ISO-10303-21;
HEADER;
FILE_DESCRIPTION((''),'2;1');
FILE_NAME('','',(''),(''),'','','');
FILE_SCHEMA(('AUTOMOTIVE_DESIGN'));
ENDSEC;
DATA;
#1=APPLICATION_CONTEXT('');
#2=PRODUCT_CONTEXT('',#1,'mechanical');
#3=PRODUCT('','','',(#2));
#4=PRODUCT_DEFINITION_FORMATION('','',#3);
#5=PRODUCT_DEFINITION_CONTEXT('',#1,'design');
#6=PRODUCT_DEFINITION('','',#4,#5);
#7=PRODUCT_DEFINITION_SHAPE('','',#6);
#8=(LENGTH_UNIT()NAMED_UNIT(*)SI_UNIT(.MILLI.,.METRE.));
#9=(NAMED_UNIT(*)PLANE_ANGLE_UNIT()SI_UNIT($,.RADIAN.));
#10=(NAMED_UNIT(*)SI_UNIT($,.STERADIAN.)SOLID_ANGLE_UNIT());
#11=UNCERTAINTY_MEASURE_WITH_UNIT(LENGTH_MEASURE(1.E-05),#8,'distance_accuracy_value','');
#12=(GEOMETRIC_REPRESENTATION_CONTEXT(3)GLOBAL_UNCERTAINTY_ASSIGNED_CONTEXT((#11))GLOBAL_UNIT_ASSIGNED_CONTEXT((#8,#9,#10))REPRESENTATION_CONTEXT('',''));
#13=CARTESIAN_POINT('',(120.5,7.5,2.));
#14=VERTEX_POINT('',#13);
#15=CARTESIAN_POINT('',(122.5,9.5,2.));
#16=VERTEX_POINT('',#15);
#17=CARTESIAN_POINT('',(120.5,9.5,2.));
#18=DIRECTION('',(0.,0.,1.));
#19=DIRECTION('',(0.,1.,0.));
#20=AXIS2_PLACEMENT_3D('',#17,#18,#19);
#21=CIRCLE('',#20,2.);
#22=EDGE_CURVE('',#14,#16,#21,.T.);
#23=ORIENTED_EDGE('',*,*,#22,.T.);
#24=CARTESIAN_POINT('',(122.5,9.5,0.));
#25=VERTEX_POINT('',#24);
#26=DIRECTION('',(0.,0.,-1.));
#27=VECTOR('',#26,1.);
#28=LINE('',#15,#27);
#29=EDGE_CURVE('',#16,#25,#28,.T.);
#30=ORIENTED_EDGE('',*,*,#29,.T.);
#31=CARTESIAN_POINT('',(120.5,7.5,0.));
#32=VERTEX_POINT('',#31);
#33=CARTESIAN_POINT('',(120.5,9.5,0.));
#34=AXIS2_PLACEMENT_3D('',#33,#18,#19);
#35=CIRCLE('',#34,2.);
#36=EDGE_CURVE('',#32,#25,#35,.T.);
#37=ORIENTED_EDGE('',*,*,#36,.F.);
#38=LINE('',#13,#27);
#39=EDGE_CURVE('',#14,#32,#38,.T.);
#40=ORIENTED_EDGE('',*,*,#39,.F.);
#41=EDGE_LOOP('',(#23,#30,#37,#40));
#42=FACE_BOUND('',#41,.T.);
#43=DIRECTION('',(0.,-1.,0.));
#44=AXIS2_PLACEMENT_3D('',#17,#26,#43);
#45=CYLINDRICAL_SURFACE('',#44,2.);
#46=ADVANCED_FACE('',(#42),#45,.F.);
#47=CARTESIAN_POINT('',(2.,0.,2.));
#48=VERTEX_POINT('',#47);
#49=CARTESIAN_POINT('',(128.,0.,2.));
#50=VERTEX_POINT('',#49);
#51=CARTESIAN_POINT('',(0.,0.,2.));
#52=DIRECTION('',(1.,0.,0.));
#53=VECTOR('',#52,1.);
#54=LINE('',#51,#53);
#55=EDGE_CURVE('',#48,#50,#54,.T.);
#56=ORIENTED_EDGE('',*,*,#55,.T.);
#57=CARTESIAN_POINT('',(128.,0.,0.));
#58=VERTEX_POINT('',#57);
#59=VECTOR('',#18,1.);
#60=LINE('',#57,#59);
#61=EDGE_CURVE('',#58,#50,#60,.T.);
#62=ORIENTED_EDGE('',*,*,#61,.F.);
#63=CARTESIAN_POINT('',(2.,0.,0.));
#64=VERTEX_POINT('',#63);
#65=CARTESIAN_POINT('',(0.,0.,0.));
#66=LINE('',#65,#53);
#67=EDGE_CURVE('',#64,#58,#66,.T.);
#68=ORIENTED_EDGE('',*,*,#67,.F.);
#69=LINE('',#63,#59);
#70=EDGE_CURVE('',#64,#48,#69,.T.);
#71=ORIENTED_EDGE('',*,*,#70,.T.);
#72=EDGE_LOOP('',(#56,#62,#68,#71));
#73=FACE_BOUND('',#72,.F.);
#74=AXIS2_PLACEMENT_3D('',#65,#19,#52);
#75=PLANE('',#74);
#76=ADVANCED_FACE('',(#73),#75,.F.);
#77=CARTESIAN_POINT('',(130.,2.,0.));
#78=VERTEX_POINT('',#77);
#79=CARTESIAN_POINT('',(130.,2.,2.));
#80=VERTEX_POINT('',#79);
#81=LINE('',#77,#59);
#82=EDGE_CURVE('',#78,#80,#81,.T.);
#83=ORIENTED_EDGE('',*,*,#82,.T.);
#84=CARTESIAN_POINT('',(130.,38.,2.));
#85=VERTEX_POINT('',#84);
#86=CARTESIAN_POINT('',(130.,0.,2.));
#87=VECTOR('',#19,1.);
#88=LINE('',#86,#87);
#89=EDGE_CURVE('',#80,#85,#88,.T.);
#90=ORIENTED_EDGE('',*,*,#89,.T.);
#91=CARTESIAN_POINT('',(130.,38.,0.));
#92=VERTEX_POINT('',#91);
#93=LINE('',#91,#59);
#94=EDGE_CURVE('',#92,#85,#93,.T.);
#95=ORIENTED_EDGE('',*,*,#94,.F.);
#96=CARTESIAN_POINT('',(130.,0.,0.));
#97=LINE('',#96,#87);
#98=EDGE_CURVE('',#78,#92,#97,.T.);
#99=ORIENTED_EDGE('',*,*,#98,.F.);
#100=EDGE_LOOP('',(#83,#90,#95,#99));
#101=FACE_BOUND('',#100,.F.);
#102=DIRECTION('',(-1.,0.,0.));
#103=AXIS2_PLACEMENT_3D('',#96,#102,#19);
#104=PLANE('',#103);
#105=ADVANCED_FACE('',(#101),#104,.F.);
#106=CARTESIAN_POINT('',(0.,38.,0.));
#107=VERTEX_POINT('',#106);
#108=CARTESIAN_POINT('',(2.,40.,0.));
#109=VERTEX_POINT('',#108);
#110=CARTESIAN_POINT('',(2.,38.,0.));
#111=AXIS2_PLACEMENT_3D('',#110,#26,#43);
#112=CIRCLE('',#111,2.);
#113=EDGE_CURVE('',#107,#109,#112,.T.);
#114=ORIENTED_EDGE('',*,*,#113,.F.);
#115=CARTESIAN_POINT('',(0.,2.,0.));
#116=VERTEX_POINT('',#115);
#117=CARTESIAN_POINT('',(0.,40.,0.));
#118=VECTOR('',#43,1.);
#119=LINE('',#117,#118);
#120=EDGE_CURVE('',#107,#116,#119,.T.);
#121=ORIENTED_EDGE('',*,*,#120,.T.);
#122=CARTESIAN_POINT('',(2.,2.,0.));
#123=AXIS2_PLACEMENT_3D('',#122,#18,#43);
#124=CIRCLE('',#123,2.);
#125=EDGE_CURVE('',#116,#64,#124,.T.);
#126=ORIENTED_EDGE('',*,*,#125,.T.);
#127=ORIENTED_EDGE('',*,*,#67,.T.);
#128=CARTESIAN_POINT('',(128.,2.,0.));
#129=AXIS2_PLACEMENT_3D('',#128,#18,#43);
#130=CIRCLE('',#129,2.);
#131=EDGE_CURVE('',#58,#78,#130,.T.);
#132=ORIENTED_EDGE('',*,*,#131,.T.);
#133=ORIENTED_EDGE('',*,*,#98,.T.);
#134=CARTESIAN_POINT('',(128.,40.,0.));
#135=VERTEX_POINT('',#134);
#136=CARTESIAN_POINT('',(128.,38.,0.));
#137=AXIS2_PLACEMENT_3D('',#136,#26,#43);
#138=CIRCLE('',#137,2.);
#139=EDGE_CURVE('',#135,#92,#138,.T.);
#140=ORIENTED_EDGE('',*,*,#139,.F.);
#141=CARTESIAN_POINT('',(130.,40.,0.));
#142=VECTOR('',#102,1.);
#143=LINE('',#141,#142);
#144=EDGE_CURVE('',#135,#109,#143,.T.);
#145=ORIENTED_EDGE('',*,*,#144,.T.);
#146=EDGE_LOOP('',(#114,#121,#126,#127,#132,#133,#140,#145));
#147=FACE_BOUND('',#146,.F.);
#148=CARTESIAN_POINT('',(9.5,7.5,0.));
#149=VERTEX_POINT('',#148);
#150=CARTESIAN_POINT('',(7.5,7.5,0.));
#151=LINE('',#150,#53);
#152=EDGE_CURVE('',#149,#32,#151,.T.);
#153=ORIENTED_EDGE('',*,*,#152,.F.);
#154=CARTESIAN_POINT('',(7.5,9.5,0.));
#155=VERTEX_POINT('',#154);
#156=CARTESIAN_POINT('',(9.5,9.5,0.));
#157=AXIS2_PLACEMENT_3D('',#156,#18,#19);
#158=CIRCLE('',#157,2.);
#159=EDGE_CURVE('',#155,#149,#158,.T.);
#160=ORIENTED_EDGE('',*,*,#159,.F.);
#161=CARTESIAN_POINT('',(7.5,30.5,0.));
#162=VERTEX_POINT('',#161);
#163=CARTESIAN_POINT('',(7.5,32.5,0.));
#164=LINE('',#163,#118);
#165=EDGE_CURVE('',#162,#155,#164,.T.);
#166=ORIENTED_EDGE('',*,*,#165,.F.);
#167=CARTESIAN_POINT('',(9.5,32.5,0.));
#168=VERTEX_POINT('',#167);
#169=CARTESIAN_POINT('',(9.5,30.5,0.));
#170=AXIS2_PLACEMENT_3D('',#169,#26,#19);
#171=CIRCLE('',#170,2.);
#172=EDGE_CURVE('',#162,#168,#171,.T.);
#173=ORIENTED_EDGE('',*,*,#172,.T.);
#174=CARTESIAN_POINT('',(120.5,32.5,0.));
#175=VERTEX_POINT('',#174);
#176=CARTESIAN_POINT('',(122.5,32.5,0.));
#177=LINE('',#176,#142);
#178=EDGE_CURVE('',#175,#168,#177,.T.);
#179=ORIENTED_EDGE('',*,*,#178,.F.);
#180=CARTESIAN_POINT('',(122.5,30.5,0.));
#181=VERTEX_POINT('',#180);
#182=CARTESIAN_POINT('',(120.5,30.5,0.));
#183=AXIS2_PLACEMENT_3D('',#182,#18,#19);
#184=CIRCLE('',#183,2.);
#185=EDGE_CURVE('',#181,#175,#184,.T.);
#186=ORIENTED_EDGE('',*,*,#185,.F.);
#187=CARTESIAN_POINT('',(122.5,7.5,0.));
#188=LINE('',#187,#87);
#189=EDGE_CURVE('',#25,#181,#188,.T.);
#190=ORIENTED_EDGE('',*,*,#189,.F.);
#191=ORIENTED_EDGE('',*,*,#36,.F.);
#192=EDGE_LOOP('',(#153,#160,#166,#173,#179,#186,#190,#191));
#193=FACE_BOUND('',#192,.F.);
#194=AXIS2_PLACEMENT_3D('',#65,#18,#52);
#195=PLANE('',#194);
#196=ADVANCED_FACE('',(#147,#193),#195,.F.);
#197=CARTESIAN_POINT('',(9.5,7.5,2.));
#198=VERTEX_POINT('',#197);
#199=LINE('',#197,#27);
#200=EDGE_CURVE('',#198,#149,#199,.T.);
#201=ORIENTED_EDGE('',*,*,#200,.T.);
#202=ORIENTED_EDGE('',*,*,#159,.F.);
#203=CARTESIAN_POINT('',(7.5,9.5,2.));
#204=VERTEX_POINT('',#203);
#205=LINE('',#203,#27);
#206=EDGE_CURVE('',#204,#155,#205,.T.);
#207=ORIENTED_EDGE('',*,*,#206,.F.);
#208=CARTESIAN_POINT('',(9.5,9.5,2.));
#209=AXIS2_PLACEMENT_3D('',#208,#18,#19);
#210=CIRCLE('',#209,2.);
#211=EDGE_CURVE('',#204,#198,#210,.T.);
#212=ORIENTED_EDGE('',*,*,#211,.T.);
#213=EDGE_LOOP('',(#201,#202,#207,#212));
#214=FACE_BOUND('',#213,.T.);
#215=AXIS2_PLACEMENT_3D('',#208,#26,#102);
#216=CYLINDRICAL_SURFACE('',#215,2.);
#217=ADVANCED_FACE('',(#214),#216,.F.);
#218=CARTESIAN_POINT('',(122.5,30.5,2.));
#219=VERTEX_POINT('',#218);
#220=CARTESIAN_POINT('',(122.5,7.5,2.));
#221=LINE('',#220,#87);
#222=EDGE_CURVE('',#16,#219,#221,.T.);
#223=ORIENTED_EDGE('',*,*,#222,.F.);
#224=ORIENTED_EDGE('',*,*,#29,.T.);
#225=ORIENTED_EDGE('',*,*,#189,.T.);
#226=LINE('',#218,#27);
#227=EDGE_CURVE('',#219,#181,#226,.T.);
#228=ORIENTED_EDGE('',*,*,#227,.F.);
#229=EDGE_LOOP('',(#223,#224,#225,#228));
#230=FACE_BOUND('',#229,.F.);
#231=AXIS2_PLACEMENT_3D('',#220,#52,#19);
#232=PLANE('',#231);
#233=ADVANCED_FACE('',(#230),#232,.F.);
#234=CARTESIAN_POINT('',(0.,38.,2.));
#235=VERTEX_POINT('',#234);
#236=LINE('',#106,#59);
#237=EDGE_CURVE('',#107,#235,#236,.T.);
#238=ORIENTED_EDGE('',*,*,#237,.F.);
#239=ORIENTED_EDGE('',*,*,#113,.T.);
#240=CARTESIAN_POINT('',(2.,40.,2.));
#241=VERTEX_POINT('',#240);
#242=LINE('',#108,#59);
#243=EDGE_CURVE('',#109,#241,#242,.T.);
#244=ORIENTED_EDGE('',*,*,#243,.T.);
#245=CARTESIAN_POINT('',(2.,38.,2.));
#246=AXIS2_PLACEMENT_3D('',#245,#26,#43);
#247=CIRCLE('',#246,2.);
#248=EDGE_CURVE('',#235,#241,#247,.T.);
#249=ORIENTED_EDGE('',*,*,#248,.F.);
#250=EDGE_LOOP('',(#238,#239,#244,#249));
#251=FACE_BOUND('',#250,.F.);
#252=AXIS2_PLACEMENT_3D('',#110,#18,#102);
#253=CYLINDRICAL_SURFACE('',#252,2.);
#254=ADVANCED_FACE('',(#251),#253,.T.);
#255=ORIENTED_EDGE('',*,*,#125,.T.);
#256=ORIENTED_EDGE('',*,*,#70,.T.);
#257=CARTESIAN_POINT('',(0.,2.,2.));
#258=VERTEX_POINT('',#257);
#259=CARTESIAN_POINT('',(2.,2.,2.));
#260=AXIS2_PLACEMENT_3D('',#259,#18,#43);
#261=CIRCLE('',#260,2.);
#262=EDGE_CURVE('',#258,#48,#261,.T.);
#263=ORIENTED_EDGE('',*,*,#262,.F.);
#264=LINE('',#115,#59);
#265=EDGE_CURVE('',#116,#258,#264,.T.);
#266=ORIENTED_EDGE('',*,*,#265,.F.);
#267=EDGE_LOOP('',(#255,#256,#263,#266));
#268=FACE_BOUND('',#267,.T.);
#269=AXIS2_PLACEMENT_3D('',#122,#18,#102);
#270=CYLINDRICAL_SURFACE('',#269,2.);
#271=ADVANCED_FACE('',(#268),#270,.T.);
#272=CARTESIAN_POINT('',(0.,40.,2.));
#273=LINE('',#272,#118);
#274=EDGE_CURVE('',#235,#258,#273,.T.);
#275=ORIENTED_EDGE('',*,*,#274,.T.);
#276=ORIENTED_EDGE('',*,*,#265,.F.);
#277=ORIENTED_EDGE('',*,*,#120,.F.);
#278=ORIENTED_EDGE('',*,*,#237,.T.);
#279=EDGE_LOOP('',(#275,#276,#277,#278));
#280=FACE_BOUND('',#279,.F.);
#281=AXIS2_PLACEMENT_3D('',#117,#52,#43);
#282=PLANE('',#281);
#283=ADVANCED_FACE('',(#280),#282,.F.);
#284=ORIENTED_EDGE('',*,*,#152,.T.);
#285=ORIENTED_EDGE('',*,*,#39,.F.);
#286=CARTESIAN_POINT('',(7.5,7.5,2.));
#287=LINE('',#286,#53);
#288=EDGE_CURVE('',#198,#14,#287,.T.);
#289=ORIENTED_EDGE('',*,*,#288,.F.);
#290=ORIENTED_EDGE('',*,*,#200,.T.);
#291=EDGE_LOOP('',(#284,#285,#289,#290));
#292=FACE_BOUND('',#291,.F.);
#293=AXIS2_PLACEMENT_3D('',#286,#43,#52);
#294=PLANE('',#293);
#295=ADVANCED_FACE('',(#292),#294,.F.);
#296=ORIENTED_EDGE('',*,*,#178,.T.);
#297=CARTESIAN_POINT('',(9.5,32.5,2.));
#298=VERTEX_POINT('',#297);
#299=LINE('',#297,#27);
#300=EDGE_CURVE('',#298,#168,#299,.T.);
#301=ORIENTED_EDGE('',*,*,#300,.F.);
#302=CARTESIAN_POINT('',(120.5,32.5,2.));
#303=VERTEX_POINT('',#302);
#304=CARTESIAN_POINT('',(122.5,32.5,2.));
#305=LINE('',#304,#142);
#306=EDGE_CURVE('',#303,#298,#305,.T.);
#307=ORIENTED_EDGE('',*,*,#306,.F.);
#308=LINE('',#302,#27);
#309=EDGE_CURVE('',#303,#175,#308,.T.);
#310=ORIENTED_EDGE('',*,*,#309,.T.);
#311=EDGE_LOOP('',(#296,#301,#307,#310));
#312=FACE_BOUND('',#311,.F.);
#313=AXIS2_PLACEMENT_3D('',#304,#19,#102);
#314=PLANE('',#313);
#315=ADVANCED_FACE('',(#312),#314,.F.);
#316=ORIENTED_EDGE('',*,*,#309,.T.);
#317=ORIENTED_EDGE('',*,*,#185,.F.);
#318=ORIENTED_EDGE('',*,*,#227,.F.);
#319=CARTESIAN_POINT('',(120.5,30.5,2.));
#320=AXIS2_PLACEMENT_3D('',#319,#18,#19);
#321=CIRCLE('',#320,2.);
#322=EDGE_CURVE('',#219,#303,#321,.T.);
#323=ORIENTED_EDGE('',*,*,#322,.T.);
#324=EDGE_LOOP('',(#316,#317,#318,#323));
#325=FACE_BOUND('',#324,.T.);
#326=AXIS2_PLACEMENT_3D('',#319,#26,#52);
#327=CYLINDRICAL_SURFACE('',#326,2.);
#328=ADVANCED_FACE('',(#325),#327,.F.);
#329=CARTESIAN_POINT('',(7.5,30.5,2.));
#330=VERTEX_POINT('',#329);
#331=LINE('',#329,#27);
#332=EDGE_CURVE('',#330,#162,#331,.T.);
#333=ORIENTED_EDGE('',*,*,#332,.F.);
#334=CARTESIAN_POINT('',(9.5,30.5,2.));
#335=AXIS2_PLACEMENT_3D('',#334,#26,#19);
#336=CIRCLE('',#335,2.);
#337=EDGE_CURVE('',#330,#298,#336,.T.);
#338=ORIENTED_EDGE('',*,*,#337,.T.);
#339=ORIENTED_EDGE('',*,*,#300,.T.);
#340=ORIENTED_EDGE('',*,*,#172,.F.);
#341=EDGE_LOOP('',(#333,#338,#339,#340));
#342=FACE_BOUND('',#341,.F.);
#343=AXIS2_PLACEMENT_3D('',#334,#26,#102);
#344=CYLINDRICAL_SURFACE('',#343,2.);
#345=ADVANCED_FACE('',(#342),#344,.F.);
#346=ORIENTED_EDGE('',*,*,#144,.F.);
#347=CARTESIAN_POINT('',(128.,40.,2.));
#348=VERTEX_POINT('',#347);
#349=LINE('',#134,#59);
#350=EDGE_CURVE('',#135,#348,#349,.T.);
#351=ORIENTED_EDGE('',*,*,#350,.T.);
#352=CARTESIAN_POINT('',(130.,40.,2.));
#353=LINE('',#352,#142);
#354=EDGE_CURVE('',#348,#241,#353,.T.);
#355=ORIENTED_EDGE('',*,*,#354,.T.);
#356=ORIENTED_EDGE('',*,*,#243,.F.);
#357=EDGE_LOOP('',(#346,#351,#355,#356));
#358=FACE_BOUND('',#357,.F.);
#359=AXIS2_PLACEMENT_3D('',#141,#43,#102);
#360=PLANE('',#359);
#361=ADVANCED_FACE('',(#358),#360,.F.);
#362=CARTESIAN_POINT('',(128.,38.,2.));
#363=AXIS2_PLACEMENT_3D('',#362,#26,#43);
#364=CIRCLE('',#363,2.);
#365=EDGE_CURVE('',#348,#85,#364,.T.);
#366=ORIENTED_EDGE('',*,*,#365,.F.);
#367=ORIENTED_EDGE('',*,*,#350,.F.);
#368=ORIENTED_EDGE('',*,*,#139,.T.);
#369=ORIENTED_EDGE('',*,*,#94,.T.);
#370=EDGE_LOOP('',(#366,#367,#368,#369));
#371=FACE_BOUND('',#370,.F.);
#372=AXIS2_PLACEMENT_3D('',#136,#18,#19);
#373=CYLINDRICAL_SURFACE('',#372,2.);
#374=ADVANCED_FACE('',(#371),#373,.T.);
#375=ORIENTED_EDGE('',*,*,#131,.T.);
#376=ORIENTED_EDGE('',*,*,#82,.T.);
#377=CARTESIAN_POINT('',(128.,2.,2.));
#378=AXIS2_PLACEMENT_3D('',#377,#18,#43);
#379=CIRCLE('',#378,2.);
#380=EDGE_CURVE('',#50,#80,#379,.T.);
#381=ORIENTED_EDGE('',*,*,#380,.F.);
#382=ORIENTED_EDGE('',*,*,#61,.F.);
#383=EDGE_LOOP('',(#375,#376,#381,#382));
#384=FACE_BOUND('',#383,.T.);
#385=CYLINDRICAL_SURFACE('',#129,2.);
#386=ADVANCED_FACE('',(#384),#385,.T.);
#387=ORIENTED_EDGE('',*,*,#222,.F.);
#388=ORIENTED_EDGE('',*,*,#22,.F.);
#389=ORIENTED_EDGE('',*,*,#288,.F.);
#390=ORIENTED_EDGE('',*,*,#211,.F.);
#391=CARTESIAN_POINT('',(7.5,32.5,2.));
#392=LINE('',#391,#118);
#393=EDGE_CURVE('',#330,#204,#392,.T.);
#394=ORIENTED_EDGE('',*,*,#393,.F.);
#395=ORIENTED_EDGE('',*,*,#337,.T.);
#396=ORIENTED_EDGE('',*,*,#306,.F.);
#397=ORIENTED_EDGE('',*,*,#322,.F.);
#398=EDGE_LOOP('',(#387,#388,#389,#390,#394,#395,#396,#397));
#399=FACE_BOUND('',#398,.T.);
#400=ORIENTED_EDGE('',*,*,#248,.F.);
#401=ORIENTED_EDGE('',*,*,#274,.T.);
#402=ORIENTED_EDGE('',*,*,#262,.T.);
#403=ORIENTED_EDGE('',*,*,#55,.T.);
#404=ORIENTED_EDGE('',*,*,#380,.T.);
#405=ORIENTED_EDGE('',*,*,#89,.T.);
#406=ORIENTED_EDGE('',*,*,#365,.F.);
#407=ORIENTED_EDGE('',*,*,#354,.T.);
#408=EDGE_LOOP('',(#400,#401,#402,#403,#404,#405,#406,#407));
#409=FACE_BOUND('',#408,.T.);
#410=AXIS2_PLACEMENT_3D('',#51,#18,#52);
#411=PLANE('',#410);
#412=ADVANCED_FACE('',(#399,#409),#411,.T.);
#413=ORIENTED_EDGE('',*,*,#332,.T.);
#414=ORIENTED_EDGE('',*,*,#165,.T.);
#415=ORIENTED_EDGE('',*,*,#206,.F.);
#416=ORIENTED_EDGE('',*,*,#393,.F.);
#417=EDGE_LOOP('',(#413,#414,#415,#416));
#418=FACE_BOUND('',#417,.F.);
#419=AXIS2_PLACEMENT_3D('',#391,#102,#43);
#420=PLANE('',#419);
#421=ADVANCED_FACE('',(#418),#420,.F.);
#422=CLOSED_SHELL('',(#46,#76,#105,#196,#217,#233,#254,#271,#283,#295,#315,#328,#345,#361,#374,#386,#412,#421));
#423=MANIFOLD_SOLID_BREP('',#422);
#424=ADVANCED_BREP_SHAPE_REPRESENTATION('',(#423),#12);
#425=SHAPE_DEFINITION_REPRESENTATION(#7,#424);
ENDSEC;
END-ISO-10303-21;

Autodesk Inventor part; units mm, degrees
ref_plane "YZ Plane" through (0, 0, 0) normal (1, 0, 0) x (0, 1, 0)
ref_plane "XZ Plane" through (0, 0, 0) normal (0, 1, 0) x (-1, 0, 0)
ref_plane "XY Plane" through (0, 0, 0) normal (0, 0, 1) x (1, 0, 0)
sketch "スケッチ1" plane through (0, 0, 0) normal (0, 0, 1) x (1, 0, 0)
  line L0 (0, 0) -> (130, 0)
  line L1 (130, 0) -> (130, 40)
  line L2 (130, 40) -> (0, 40)
  line L3 (0, 40) -> (0, 0)
  dimension "d0" = 130
  dimension "d1" = 40
extrude "押し出し1" add sketch "スケッチ1" along normal blind 2
sketch "スケッチ2" plane through (0, 0, 2) normal (0, 0, 1) x (1, 0, 0)
  line L0 (130, 40) -> (0, 40) projected
  line L1 (0, 40) -> (130, 40)
  line L2 (130, 40) -> (130, 0)
  line L3 (130, 0) -> (0, 0)
  line L4 (0, 0) -> (0, 40)
  line L5 (7.5, 7.5) -> (122.5, 7.5)
  line L6 (122.5, 7.5) -> (122.5, 32.5)
  line L7 (122.5, 32.5) -> (7.5, 32.5)
  line L8 (7.5, 32.5) -> (7.5, 7.5)
  dimension "d4" = 7.5
extrude "押し出し2" cut sketch "スケッチ2" against normal blind 2 contours L8 L7 L6 L5
fillet "フィレット1" radius 2 8 edges at (0, 40, 1) (0, 0, 1) (7.5, 7.5, 1) (7.5, 32.5, 1) (130, 40, 1) (130, 0, 1) (122.5, 7.5, 1) (122.5, 32.5, 1)
properties part number "smaho_mount_board"
